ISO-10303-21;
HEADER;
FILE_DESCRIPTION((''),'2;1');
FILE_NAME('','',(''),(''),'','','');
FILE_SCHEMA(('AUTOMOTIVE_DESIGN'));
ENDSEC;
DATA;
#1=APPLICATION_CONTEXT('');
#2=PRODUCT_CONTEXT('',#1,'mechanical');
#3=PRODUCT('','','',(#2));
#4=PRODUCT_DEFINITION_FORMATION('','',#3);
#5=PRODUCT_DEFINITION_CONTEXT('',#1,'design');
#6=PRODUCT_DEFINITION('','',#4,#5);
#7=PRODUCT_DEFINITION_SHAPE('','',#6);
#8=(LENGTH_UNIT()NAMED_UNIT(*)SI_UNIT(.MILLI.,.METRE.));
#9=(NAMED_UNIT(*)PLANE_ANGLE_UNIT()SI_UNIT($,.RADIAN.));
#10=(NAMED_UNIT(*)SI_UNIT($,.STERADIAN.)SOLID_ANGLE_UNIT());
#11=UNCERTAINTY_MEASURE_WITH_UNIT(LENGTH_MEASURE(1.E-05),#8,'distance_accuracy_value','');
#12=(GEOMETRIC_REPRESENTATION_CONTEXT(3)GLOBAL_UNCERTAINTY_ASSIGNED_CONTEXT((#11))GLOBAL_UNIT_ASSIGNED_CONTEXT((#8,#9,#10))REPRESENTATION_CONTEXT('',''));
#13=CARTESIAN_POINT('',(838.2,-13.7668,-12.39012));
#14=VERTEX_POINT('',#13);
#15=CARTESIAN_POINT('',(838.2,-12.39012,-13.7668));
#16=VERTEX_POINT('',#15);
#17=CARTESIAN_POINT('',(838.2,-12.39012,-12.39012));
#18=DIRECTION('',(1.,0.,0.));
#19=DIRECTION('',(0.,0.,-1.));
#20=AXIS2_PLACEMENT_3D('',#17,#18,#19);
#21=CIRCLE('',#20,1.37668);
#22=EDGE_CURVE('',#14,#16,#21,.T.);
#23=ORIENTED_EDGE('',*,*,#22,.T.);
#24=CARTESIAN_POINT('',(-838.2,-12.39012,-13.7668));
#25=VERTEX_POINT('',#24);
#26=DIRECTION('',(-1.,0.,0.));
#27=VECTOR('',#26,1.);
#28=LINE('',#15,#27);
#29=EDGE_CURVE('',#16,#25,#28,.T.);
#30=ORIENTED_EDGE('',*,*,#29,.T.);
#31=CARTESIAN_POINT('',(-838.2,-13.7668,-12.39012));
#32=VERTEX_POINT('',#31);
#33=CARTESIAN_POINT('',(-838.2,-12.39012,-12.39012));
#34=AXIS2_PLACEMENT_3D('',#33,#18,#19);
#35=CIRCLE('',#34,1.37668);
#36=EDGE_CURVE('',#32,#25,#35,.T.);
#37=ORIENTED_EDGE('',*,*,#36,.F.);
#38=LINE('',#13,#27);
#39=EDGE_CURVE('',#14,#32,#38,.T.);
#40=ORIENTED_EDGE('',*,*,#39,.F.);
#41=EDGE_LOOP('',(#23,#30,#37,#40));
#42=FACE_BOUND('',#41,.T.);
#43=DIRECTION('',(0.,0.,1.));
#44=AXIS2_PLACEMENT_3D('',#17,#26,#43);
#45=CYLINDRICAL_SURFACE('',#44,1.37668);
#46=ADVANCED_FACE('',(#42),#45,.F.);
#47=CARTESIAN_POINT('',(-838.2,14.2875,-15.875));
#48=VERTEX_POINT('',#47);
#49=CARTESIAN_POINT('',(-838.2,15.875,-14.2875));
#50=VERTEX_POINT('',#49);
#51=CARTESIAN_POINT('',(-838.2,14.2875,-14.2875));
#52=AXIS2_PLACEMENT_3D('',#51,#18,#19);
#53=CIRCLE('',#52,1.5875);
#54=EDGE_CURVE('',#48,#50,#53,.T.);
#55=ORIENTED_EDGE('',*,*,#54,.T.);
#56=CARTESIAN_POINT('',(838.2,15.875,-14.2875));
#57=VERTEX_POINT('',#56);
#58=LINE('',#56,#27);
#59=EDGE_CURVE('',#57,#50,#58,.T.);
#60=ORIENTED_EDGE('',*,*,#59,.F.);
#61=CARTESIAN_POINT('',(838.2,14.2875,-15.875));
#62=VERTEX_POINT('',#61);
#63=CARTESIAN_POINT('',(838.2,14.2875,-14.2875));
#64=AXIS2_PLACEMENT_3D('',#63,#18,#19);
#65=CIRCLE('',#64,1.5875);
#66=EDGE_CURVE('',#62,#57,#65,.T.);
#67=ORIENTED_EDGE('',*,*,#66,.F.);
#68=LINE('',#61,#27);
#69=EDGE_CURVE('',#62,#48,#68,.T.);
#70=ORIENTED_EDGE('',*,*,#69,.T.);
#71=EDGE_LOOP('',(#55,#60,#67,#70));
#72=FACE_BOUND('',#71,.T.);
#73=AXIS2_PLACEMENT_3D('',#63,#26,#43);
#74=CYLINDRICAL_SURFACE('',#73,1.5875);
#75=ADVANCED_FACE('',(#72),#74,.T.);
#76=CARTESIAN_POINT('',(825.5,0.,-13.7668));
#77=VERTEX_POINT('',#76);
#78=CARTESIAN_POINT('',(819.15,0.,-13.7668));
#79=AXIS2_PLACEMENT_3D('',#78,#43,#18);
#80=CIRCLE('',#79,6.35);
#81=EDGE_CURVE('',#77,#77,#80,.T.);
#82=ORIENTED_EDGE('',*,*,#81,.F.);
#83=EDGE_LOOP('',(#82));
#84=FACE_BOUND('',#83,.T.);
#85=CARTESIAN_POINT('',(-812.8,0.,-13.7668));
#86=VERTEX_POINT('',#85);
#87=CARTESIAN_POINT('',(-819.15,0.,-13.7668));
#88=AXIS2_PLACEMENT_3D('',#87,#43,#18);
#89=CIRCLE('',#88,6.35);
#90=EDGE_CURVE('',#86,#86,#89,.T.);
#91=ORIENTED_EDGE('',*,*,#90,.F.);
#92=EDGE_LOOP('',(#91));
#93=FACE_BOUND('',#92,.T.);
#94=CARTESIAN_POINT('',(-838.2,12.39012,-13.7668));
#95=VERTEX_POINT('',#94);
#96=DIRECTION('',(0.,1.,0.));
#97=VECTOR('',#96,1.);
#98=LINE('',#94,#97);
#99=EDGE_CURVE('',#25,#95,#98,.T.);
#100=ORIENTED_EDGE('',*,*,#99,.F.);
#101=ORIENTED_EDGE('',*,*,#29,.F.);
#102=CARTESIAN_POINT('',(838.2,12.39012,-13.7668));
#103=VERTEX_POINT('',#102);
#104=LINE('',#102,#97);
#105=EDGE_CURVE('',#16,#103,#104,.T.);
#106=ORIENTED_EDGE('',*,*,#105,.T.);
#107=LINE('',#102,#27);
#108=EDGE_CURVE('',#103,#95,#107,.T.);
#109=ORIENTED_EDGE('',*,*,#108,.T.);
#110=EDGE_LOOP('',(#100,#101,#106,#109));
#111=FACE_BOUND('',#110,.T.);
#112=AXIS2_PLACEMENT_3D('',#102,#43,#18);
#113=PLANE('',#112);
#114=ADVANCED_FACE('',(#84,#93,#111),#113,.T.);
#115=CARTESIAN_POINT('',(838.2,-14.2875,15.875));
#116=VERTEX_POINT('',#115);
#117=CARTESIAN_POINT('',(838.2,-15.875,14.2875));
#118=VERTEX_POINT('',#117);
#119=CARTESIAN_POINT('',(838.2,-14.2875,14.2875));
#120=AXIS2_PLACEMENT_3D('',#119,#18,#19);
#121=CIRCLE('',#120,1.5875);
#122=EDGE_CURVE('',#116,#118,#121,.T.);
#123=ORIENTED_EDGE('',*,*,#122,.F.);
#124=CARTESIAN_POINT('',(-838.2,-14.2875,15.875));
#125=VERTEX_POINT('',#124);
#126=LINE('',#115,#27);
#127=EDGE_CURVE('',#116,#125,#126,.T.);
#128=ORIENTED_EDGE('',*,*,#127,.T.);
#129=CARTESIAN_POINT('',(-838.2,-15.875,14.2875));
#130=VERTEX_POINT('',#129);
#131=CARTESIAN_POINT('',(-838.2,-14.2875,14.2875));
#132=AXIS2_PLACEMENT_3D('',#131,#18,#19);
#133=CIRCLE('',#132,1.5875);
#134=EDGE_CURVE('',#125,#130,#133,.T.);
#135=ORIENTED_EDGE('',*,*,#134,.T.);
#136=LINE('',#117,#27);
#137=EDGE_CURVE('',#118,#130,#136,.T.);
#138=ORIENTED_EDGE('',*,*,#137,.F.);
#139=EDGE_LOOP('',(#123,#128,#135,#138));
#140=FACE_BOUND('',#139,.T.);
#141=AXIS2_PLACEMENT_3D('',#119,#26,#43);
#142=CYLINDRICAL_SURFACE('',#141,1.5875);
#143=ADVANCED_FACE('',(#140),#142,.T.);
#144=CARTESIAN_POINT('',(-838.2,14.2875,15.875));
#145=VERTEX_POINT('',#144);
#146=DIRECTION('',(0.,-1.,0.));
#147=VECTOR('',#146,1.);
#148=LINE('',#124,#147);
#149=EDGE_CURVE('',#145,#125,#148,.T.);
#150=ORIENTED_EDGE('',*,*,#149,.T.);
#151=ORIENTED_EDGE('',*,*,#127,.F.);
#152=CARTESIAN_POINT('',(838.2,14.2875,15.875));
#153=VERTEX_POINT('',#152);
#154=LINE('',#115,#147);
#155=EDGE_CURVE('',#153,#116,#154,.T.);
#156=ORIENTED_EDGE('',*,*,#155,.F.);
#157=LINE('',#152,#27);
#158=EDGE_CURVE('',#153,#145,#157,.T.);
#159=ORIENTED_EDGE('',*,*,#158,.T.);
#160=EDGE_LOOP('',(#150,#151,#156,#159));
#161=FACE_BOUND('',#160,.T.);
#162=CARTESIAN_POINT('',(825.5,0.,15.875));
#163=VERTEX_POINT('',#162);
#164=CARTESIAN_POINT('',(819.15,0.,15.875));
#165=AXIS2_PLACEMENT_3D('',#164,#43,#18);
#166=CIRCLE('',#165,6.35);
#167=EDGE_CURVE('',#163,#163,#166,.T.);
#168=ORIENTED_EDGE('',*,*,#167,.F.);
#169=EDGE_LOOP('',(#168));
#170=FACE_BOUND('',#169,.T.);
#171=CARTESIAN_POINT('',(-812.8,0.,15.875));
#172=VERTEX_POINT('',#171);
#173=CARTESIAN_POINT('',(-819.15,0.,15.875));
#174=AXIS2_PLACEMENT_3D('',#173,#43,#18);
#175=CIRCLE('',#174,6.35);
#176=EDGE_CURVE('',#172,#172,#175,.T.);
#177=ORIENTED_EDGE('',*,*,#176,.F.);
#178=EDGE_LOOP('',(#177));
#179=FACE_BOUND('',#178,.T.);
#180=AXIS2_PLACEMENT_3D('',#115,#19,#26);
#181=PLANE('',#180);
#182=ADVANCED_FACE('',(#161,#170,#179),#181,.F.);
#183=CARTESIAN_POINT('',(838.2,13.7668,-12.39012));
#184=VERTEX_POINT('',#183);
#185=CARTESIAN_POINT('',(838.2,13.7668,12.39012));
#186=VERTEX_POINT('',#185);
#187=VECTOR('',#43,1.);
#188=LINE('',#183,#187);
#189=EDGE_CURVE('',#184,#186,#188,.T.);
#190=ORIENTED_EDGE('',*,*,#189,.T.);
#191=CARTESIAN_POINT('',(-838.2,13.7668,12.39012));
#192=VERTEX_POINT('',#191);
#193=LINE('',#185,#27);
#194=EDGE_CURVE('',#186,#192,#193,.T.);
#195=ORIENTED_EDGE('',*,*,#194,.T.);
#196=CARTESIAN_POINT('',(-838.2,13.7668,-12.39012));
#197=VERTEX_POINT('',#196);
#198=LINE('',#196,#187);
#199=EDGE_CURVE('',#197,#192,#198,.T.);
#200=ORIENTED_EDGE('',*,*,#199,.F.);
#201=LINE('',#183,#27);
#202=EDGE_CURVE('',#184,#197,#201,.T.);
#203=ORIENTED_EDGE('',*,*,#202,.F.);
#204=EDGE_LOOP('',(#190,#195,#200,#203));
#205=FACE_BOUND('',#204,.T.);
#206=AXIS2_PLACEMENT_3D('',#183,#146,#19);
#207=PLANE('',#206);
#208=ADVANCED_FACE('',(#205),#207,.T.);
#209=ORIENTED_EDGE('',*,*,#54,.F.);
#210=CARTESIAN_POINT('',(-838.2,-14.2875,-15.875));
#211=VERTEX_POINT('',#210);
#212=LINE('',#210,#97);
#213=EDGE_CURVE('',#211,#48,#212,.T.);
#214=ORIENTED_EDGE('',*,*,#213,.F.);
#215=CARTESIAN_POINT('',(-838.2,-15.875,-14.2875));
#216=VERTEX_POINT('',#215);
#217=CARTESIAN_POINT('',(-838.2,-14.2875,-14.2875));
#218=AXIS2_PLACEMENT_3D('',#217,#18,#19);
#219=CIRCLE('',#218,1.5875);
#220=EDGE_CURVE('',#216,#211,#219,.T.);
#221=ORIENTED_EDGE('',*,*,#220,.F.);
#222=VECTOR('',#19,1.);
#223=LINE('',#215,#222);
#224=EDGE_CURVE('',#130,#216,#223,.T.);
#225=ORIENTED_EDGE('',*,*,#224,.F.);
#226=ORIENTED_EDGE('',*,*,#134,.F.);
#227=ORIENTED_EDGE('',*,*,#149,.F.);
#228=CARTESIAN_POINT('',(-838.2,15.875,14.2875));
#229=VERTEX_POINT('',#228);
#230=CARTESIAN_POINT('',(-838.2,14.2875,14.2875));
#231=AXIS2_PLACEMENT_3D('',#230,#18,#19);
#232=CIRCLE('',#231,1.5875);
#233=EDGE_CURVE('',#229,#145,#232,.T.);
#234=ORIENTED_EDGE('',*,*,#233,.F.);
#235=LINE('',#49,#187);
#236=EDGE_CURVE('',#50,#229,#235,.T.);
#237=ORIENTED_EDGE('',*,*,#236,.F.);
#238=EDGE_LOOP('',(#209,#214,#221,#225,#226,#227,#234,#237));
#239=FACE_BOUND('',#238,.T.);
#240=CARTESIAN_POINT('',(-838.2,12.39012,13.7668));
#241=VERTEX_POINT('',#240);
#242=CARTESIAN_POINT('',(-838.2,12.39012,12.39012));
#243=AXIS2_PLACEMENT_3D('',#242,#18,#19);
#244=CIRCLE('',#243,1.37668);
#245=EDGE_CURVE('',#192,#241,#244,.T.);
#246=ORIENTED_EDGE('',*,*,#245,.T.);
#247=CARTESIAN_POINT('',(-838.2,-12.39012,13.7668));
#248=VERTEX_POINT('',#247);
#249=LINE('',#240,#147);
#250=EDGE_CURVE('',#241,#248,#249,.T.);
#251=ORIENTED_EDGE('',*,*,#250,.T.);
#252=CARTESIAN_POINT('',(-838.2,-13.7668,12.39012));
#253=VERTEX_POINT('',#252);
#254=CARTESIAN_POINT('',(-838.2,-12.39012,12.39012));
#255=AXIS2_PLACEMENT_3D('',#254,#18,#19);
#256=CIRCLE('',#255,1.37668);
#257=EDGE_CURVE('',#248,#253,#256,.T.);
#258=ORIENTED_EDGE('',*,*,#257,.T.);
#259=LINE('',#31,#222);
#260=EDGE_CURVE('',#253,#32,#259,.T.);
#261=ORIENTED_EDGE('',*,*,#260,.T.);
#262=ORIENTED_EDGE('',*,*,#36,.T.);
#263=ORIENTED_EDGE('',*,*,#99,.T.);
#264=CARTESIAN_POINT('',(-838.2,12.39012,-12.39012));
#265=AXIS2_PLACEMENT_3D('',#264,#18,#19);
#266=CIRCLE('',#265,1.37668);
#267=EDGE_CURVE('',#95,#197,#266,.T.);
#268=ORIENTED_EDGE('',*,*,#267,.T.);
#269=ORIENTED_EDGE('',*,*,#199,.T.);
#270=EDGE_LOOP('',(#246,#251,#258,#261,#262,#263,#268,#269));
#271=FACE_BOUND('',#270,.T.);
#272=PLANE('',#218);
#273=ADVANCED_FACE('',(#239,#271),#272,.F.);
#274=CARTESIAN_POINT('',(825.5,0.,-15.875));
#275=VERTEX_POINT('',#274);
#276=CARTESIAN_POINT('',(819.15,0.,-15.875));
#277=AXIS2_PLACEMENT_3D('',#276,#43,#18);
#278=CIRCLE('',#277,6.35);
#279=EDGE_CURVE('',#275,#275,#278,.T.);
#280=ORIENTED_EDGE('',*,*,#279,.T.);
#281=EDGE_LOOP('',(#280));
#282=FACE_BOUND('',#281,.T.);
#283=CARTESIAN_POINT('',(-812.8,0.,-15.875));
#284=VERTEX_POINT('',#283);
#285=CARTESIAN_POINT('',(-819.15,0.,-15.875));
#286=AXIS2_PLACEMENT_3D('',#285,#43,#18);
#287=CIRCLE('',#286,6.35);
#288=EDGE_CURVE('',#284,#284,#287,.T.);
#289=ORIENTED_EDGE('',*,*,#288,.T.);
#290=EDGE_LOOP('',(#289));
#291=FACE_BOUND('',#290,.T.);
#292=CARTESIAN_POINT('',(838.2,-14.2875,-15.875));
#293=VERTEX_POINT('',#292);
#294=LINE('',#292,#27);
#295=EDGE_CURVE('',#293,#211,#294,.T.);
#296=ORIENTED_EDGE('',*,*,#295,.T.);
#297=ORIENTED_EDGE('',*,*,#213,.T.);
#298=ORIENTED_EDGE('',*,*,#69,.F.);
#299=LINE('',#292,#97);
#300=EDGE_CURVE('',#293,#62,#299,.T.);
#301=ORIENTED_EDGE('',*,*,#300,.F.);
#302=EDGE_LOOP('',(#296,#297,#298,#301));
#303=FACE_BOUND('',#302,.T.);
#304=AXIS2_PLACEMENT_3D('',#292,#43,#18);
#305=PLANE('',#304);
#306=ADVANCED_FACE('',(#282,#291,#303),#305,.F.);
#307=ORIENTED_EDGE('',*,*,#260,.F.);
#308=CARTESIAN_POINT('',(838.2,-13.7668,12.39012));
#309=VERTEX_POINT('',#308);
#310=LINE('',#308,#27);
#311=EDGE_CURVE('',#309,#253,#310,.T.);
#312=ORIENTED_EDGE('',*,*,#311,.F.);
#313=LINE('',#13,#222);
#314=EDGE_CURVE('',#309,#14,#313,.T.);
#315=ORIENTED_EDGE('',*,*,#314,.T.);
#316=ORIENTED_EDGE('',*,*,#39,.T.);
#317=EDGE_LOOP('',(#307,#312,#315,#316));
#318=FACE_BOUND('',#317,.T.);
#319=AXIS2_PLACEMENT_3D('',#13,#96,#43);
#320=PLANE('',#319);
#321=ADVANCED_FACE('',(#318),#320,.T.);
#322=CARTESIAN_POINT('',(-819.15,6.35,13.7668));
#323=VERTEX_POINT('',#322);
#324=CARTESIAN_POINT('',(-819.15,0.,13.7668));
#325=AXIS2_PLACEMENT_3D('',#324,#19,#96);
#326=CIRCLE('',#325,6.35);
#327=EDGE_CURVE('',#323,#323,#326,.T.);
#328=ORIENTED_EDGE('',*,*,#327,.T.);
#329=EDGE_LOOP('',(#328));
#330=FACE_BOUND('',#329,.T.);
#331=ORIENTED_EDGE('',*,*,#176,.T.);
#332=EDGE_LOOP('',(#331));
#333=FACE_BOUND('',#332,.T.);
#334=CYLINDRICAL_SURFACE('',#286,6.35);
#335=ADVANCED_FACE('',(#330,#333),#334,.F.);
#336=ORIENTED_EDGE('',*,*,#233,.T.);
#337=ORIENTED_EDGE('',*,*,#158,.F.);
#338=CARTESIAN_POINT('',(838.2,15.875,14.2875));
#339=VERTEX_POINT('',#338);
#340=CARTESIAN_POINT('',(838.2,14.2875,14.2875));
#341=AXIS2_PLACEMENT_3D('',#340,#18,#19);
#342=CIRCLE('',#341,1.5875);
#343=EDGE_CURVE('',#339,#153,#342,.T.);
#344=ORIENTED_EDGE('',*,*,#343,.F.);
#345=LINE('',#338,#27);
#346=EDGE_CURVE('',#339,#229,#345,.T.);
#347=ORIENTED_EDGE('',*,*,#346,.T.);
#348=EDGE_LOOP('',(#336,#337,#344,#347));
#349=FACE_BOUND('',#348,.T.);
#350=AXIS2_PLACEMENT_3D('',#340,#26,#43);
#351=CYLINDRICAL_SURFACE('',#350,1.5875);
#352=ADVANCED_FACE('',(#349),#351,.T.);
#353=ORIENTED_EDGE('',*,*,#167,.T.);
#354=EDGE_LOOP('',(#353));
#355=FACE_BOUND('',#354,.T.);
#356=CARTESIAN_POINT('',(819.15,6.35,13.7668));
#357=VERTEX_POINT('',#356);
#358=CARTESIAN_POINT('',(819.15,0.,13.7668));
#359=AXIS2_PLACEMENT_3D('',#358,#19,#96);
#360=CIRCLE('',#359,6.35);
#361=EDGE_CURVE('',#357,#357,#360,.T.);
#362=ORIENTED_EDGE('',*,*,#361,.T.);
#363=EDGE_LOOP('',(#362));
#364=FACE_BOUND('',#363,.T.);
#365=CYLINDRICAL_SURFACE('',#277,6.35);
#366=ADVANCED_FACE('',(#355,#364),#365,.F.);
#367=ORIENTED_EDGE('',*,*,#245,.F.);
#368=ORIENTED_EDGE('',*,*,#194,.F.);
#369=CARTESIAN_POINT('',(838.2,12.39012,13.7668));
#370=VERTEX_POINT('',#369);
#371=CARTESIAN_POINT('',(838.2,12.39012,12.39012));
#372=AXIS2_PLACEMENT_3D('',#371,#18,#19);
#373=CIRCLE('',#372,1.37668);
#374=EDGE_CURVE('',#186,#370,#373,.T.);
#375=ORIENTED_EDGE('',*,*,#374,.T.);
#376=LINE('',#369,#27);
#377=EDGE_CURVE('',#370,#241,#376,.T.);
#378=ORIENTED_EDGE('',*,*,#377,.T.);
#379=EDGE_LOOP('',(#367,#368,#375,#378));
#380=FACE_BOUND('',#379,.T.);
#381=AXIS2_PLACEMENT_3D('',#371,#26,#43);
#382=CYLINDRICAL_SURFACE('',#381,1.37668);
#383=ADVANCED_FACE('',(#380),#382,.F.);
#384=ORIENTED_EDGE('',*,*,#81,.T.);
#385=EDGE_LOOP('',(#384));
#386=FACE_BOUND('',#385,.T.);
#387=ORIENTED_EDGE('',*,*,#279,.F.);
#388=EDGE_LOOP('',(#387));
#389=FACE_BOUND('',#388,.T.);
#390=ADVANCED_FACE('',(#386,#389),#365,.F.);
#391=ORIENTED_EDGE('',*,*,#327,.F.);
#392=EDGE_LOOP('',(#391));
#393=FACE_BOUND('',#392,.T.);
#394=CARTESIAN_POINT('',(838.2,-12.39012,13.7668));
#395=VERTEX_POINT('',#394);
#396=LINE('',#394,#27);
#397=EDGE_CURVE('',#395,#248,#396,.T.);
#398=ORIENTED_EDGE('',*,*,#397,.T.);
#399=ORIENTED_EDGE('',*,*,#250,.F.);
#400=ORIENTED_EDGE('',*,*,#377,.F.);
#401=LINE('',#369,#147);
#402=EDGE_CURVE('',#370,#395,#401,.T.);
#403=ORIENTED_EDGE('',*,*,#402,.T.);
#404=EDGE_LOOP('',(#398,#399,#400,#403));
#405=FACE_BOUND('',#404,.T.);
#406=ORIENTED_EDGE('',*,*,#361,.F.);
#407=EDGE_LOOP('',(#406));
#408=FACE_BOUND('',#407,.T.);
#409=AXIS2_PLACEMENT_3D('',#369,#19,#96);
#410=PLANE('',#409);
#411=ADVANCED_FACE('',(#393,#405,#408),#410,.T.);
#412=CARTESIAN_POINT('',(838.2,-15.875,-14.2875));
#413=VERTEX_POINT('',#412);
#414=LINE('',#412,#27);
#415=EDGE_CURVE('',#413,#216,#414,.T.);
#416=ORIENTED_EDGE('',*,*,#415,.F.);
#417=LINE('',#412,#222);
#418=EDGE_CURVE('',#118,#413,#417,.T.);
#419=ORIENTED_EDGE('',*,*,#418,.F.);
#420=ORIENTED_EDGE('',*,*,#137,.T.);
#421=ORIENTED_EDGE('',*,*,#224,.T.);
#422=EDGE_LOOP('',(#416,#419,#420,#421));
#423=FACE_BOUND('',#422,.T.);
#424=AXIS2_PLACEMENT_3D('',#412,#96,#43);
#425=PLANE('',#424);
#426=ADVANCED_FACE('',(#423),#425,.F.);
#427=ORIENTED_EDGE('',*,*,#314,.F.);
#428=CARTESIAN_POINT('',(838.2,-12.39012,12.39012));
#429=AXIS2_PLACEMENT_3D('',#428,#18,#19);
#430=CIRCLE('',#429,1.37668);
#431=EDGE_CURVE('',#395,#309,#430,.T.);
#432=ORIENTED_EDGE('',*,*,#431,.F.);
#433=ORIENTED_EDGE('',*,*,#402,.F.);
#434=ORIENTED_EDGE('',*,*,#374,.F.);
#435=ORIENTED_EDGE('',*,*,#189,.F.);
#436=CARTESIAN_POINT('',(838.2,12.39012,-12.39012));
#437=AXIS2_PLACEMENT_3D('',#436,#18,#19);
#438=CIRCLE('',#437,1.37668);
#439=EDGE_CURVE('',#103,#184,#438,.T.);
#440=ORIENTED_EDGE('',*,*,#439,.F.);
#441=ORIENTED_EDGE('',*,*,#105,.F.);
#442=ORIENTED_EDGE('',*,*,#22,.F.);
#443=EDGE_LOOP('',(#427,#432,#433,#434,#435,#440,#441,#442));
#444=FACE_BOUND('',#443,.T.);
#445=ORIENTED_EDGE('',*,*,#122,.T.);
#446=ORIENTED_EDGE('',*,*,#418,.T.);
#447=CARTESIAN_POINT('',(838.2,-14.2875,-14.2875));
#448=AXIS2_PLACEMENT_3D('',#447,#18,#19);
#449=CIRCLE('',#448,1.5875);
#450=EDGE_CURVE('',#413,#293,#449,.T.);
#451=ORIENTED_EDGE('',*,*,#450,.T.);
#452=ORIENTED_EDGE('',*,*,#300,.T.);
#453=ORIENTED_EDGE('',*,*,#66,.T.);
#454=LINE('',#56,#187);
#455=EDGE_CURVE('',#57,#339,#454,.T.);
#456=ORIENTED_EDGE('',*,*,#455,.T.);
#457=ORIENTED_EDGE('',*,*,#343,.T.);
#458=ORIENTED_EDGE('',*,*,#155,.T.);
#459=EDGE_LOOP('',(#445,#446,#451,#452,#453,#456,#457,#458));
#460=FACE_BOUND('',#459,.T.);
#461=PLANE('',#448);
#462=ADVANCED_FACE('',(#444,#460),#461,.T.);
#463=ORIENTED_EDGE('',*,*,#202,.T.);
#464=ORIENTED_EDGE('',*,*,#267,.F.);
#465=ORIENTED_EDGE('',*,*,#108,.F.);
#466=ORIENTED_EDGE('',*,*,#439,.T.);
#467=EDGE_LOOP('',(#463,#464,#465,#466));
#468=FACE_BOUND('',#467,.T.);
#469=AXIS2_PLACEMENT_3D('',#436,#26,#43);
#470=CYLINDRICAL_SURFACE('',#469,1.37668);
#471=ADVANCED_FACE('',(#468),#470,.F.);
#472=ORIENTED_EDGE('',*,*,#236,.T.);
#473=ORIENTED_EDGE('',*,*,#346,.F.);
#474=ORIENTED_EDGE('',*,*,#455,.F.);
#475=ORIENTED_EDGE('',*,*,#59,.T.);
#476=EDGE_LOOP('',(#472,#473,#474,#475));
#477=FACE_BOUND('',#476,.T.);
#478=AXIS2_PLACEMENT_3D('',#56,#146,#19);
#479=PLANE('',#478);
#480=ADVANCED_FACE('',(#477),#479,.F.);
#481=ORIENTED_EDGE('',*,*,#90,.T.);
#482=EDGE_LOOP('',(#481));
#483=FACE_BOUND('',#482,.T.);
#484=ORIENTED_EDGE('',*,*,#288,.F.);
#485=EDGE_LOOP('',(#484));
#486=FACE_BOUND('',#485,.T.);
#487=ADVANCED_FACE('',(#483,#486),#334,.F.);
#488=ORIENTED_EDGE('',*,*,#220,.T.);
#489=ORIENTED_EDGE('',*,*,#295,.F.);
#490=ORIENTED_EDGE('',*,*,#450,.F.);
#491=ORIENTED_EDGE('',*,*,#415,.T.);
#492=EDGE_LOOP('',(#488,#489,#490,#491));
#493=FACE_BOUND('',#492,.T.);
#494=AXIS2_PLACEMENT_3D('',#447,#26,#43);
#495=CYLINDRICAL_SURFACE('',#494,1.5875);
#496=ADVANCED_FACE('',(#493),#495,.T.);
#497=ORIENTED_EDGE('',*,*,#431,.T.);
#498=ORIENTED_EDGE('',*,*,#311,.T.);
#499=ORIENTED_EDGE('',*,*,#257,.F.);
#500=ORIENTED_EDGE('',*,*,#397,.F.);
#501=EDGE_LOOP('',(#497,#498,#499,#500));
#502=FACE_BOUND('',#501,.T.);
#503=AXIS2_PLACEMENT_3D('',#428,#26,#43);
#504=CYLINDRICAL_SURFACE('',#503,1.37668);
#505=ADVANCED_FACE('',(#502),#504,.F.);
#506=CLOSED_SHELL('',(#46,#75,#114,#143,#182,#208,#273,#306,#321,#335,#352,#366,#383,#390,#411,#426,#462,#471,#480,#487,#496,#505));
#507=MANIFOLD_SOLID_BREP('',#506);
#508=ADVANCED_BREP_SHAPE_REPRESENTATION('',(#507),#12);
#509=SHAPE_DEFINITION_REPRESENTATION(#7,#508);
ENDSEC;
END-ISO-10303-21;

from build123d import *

# Parameters (mm, degrees)
BOSS_EXTRUDE1_DEPTH      = 838.2
BOSS_EXTRUDE1_DEPTH_BACK = 838.2
SKETCH5_R                = 6.35
CUT_EXTRUDE1_DEPTH       = 839.951320474


with BuildPart() as part:
    # Sketch4 → Boss-Extrude1 (new, two sides: drawn at the far end of the back side and taken through both)
    with BuildSketch(Plane(origin=(0, 0, 0), x_dir=(0, 0, -1), z_dir=(1, 0, 0)).offset(-BOSS_EXTRUDE1_DEPTH_BACK)):
        with BuildLine():
            Line((15.875, -14.2875), (15.875, 14.2875))
            ThreePointArc((15.875, 14.2875), (15.410032015, 15.410032015), (14.2875, 15.875))
            Line((14.2875, 15.875), (-14.2875, 15.875))
            ThreePointArc((-14.2875, 15.875), (-15.410032015, 15.410032015), (-15.875, 14.2875))
            Line((-15.875, 14.2875), (-15.875, -14.2875))
            ThreePointArc((-15.875, -14.2875), (-15.410032015, -15.410032015), (-14.2875, -15.875))
            Line((-14.2875, -15.875), (14.2875, -15.875))
            ThreePointArc((14.2875, -15.875), (15.410032015, -15.410032015), (15.875, -14.2875))
        make_face()
        with BuildLine():
            Line((13.7668, 12.39012), (13.7668, -12.39012))
            ThreePointArc((13.7668, -12.39012), (13.363579764, -13.363579764), (12.39012, -13.7668))
            Line((12.39012, -13.7668), (-12.39012, -13.7668))
            ThreePointArc((-12.39012, -13.7668), (-13.363579764, -13.363579764), (-13.7668, -12.39012))
            Line((-13.7668, -12.39012), (-13.7668, 12.39012))
            ThreePointArc((-13.7668, 12.39012), (-13.363579764, 13.363579764), (-12.39012, 13.7668))
            Line((-12.39012, 13.7668), (12.39012, 13.7668))
            ThreePointArc((12.39012, 13.7668), (13.363579764, 13.363579764), (13.7668, 12.39012))
        make_face(mode=Mode.SUBTRACT)
    extrude(amount=BOSS_EXTRUDE1_DEPTH + BOSS_EXTRUDE1_DEPTH_BACK)

    # Sketch5 → Cut-Extrude1 (cut, through all)
    with BuildSketch(Plane.XY.offset(15.875)):
        with Locations((819.15, 0)):
            Circle(SKETCH5_R)
        with Locations((-819.15, 0)):
            Circle(SKETCH5_R)
    extrude(amount=-CUT_EXTRUDE1_DEPTH, mode=Mode.SUBTRACT)


solid = part.part
